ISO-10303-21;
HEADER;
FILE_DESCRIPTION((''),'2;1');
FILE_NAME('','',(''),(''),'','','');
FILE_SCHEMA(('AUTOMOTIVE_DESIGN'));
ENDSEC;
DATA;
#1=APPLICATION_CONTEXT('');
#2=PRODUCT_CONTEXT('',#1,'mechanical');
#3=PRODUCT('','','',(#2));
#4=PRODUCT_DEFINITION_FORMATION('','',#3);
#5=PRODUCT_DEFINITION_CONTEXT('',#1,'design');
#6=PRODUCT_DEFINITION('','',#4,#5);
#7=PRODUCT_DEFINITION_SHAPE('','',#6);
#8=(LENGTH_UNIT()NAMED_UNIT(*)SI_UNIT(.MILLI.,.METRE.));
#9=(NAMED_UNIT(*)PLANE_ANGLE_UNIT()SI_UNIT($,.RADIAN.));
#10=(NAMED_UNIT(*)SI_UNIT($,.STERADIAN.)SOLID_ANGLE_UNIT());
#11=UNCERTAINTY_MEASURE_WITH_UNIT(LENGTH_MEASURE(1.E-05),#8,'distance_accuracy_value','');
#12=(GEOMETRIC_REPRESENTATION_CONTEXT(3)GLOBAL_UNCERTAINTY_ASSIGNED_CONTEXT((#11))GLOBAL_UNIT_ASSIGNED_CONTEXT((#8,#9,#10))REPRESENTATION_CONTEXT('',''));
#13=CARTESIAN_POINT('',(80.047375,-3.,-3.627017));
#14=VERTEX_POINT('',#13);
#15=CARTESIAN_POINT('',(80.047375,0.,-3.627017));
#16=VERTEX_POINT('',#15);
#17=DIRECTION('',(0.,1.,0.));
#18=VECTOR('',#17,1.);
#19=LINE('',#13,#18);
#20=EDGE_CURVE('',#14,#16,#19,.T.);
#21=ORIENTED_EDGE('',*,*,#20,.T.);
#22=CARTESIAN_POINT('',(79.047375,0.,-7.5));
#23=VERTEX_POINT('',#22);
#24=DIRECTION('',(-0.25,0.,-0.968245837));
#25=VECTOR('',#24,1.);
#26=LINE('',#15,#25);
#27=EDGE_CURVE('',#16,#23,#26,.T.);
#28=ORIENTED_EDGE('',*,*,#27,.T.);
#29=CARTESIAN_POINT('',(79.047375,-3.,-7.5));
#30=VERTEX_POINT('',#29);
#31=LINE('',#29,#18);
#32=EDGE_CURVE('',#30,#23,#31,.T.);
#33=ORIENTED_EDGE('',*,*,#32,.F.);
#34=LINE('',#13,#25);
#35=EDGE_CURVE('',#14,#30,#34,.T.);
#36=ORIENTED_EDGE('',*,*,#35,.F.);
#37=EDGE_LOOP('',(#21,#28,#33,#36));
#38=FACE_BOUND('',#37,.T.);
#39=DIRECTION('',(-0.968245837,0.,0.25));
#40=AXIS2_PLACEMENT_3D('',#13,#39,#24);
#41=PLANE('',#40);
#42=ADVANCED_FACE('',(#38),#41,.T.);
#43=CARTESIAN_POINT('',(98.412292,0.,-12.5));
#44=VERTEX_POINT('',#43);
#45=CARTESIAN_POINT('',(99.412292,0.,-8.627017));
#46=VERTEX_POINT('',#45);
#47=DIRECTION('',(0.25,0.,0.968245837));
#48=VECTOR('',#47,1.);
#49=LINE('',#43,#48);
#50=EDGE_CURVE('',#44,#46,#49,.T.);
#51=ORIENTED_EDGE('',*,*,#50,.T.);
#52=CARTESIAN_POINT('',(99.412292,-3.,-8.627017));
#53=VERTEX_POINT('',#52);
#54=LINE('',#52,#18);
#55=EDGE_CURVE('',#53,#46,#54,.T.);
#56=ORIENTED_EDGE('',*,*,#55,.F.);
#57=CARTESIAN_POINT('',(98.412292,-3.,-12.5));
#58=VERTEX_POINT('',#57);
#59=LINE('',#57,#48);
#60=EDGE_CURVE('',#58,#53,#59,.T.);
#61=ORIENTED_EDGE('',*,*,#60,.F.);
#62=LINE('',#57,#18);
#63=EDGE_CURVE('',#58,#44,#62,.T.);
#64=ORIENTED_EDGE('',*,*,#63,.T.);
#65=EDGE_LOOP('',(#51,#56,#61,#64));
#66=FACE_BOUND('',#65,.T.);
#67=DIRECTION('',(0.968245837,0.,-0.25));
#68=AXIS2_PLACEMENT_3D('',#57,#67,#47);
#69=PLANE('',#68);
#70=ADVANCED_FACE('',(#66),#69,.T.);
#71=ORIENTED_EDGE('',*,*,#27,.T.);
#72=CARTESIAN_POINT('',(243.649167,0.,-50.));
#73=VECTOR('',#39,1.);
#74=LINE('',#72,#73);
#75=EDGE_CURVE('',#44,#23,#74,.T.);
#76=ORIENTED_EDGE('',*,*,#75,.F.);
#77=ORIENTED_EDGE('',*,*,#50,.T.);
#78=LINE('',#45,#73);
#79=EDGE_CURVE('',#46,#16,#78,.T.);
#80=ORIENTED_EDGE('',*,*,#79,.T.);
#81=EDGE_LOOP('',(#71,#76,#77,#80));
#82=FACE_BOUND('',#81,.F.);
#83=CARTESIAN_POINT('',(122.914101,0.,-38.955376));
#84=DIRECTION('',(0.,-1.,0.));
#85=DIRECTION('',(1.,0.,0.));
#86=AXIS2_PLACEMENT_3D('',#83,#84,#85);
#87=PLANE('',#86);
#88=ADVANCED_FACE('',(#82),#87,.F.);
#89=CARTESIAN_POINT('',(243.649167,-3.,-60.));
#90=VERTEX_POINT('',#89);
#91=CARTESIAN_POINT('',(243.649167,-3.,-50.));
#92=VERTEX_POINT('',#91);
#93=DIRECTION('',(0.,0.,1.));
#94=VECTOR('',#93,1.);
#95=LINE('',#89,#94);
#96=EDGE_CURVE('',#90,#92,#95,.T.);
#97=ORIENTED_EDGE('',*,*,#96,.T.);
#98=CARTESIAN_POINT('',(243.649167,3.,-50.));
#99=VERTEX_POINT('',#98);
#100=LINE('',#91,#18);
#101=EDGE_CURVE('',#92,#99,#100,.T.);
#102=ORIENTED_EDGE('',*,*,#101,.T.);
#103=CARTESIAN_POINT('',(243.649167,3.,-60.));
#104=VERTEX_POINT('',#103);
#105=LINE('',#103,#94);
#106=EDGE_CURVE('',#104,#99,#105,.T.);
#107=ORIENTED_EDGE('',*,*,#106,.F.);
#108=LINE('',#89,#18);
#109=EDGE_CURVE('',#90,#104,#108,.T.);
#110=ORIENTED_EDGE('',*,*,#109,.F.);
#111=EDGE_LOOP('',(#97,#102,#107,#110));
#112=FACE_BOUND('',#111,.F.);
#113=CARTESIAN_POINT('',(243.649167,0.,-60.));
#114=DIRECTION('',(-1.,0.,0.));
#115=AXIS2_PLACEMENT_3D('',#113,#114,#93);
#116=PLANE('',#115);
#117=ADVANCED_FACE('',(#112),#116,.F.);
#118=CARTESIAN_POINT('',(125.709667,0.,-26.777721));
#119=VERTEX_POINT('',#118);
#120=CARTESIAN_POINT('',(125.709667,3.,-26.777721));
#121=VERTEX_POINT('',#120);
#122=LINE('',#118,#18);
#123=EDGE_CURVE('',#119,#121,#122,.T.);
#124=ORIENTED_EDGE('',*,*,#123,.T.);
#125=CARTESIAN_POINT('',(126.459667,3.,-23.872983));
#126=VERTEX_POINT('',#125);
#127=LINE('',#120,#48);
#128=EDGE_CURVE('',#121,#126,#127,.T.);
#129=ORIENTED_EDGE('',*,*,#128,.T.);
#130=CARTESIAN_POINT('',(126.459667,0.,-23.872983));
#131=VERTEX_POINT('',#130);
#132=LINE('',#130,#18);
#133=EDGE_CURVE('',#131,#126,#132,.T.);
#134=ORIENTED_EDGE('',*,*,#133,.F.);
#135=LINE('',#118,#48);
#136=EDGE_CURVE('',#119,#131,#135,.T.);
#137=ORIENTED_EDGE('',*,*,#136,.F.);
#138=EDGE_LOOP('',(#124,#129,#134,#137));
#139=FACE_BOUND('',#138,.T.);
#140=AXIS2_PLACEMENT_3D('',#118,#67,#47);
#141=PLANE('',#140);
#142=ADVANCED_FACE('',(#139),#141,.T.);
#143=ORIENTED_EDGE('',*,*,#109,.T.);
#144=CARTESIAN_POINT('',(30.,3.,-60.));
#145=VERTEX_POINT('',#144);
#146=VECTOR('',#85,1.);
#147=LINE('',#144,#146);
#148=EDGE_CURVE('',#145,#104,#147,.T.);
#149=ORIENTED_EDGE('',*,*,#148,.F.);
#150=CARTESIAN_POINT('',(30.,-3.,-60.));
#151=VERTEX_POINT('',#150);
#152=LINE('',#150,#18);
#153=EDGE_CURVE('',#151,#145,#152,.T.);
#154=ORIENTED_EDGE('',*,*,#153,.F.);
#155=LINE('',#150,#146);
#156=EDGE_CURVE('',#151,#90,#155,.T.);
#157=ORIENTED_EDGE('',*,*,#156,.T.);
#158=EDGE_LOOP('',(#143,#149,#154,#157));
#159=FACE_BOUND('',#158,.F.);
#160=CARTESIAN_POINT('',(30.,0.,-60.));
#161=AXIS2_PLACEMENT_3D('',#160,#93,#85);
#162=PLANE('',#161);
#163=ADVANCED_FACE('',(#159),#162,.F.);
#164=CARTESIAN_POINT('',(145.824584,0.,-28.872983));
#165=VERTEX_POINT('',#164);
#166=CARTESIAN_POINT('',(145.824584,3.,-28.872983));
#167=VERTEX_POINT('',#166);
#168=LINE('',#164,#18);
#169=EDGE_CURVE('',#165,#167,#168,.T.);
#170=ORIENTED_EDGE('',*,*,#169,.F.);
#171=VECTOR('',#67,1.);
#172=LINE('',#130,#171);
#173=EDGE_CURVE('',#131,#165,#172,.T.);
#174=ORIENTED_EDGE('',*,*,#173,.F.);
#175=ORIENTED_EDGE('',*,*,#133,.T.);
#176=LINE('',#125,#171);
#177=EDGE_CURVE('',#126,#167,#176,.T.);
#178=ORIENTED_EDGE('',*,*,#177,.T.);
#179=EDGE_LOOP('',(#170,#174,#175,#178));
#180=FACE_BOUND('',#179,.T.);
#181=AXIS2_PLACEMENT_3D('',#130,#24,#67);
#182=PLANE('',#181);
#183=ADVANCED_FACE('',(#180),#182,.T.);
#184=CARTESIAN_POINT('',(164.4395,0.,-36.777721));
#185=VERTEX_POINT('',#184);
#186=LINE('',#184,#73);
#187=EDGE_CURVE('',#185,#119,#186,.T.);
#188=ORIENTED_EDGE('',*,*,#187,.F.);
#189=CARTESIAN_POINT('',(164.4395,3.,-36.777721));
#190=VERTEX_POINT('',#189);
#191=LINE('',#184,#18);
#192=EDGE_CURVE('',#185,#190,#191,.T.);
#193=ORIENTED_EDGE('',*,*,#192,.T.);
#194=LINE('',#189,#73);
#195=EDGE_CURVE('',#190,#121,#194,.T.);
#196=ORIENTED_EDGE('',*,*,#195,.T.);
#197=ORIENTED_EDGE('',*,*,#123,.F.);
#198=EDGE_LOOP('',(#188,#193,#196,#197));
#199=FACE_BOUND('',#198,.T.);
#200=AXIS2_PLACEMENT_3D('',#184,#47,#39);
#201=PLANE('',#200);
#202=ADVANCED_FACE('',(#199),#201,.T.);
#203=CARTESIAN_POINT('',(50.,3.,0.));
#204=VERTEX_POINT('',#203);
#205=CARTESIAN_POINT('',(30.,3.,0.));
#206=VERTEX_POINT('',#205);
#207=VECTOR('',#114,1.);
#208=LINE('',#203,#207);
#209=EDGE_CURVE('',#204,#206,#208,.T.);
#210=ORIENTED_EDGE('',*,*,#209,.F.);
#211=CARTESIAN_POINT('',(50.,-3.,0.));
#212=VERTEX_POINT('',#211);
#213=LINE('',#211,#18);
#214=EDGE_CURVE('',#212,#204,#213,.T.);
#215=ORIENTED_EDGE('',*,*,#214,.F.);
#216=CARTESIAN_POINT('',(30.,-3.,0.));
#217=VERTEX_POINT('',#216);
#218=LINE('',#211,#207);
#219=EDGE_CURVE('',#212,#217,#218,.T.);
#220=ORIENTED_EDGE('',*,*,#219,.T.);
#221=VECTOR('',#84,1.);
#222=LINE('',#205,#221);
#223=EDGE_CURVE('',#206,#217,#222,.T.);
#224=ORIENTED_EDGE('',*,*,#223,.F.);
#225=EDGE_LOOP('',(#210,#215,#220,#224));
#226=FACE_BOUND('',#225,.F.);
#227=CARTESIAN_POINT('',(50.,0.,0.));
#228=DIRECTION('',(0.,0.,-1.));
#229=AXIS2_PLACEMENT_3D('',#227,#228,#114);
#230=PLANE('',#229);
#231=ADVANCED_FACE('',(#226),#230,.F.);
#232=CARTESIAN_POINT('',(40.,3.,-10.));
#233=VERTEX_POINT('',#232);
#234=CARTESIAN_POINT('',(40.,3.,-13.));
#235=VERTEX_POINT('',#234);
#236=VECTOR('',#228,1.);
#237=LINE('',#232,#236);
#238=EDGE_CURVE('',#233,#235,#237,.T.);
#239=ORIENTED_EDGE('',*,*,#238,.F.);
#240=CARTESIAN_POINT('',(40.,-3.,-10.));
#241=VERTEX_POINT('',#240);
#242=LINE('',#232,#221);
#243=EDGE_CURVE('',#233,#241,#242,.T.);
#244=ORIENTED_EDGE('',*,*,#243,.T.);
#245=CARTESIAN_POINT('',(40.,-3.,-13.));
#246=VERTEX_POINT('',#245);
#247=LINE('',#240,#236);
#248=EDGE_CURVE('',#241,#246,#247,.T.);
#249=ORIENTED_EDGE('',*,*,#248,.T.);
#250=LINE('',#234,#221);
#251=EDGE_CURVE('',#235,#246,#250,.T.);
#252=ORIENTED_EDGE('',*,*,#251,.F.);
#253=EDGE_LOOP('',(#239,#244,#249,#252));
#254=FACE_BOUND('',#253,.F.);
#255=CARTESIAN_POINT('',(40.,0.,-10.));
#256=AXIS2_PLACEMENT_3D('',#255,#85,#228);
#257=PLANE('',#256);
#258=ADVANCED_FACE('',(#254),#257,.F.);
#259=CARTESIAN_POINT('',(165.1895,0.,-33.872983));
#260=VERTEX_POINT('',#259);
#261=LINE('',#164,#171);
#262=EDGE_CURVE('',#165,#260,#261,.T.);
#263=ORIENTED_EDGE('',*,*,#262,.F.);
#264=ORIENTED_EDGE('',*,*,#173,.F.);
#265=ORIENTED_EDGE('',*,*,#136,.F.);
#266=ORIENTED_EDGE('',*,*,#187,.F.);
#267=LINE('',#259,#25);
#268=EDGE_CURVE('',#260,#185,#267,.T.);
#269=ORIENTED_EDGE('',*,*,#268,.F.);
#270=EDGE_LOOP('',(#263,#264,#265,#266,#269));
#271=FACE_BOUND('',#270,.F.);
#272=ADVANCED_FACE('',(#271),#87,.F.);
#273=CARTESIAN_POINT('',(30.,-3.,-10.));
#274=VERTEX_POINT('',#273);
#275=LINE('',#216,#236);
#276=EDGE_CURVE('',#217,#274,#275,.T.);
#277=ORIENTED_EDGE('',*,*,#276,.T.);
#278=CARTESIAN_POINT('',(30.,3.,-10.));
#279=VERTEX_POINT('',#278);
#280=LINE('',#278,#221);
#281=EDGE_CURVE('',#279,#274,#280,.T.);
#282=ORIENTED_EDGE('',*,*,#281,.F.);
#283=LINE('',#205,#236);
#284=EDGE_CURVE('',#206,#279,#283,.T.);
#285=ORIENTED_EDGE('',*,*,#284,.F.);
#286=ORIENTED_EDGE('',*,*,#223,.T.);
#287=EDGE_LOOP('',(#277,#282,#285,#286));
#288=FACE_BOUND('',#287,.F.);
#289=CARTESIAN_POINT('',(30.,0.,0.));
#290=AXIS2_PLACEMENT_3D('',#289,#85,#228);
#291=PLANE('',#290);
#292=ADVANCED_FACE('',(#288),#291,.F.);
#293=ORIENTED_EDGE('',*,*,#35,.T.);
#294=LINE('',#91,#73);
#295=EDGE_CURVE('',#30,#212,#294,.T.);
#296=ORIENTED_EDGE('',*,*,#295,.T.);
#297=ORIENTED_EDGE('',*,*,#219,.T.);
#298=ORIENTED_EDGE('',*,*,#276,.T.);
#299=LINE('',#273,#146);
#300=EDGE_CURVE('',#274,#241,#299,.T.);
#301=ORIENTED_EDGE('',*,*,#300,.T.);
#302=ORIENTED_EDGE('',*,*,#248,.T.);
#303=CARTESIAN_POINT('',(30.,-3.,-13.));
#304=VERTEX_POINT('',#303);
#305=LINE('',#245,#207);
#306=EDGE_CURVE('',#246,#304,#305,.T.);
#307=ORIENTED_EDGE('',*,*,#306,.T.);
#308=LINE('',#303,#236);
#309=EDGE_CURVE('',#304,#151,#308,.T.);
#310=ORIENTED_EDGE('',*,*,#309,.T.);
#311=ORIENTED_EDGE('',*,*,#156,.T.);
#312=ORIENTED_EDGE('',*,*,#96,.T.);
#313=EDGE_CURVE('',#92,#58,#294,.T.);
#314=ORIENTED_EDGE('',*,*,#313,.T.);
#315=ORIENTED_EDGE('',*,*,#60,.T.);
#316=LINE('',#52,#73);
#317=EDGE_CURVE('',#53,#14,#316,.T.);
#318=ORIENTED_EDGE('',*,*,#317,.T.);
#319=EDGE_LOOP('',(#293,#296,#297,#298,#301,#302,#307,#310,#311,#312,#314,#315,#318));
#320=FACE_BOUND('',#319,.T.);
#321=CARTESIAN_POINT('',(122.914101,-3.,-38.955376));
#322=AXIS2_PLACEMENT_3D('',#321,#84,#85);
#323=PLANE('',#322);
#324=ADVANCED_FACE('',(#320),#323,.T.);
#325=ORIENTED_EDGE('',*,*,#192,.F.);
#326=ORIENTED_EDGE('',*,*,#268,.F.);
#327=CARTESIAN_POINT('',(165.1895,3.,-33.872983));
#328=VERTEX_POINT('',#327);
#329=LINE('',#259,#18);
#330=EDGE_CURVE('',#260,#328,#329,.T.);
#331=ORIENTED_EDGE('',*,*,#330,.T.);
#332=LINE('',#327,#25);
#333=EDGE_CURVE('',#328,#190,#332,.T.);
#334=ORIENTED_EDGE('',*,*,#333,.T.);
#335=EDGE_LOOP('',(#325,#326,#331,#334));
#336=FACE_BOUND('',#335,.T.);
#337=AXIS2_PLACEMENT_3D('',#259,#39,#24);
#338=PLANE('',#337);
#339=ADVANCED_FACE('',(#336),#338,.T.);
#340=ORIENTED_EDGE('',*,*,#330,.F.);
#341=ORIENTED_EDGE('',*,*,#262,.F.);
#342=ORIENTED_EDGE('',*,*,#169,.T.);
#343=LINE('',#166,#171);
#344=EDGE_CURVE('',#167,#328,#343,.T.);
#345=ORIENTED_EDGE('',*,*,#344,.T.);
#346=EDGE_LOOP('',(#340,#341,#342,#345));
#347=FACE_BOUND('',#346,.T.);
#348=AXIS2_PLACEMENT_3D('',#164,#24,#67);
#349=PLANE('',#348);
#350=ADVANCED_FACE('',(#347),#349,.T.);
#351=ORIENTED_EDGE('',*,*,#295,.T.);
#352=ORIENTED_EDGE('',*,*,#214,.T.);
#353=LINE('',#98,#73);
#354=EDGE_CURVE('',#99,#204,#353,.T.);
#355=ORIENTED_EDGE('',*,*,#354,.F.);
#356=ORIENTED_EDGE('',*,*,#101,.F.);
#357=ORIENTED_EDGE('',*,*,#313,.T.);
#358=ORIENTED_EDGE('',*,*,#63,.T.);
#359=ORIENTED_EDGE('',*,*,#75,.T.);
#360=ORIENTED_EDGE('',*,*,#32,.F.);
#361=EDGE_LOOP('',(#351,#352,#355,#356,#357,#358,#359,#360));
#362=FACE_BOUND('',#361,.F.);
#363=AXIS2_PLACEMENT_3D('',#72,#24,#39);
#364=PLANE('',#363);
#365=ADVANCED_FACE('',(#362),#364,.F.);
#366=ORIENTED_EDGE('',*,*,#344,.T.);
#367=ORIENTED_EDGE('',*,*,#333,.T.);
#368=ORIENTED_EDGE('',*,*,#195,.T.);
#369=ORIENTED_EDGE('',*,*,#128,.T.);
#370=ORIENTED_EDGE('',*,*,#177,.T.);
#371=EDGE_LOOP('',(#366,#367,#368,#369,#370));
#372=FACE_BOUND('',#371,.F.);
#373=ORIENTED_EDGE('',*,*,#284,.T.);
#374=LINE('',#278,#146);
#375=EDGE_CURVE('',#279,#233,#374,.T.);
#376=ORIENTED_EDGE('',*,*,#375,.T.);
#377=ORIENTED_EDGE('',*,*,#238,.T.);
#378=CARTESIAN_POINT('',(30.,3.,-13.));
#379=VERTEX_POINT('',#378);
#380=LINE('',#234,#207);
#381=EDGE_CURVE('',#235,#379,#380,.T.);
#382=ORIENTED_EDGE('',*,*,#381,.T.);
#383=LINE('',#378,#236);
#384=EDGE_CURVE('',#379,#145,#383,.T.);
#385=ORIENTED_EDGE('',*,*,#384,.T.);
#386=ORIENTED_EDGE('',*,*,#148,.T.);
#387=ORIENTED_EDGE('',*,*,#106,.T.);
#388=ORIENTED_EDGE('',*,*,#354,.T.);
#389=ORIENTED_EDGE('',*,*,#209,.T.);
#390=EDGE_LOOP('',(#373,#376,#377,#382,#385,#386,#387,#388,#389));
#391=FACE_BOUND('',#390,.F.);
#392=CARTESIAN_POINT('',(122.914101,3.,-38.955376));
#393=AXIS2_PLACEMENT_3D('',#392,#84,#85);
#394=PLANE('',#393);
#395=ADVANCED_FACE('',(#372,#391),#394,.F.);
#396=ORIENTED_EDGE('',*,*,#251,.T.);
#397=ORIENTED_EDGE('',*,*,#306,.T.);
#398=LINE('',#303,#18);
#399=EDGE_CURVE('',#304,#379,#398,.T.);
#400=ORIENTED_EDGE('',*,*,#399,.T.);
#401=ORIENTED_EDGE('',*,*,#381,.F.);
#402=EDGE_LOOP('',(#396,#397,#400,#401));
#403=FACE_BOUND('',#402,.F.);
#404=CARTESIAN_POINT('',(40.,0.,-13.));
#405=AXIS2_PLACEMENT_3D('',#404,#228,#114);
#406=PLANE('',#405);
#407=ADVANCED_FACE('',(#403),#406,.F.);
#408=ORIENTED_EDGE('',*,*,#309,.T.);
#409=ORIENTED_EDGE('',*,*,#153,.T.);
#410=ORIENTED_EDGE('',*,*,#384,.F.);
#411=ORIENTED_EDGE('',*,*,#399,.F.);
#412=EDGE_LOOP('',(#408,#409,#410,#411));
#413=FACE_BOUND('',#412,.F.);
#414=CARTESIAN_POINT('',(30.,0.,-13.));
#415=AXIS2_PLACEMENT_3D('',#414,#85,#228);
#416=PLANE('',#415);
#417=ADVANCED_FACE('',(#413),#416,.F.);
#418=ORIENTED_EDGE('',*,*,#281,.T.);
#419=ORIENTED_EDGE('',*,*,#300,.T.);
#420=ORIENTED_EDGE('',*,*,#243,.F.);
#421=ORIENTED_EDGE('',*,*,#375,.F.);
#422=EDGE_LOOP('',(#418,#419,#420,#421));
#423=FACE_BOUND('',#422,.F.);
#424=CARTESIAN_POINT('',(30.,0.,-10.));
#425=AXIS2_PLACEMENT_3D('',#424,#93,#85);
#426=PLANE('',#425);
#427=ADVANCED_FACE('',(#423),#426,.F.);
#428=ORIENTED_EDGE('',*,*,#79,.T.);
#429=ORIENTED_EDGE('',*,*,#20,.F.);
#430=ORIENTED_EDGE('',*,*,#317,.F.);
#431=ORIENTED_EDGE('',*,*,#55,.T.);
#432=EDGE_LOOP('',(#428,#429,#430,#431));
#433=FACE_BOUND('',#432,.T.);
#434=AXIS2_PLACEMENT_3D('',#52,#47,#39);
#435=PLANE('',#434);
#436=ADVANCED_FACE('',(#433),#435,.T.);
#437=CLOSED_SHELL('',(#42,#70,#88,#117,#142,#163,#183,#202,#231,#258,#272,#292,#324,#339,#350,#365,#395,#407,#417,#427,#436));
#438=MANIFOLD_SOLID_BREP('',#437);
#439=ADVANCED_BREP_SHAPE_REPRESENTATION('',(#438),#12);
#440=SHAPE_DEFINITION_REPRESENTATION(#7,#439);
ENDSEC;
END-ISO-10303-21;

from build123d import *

# Parameters (mm, degrees)
F1_DEPTH = 3
F3_DEPTH = 3


with BuildPart() as f1:
    # F0 (on Front) → F1 (new body)
    with BuildSketch(Plane.XZ):
        Polygon((146.8245836552, -25), (50, 0), (30, 0), (30, -10), (40, -10), (40, -13), (30, -13), (30, -60), (243.6491673104, -60), (243.6491673104, -50), align=None)
        Polygon((126.4596669241, -23.8729833462), (145.8245836552, -28.8729833462), (165.1895003862, -33.8729833462), (164.4395003862, -36.7777208559), (125.7096669241, -26.7777208559), align=None, mode=Mode.SUBTRACT)
    extrude(amount=F1_DEPTH)

    # F2 (on face) + F0 (on Front) → F3 (join)
    with BuildSketch(Plane.XZ.offset(3)):
        Polygon((98.4122918276, -12.5), (79.0473750966, -7.5), (50, 0), (30, 0), (30, -10), (40, -10), (40, -13), (30, -13), (30, -60), (243.6491673104, -60), (243.6491673104, -50), (214.6017922138, -42.5), (195.2368754828, -37.5), align=None)
        Polygon((125.7096669241, -26.7777208559), (126.4596669241, -23.8729833462), (165.1895003862, -33.8729833462), (164.4395003862, -36.7777208559), align=None, mode=Mode.SUBTRACT)
        Polygon((165.1895003862, -33.8729833462), (126.4596669241, -23.8729833462), (125.7096669241, -26.7777208559), (164.4395003862, -36.7777208559), align=None)
        Polygon((80.0473750966, -3.6270166538), (79.0473750966, -7.5), (98.4122918276, -12.5), (99.4122918276, -8.6270166538), align=None)
    with BuildSketch(Plane.XZ):
        Polygon((146.8245836552, -25), (50, 0), (30, 0), (30, -10), (40, -10), (40, -13), (30, -13), (30, -60), (243.6491673104, -60), (243.6491673104, -50), align=None)
        Polygon((126.4596669241, -23.8729833462), (145.8245836552, -28.8729833462), (165.1895003862, -33.8729833462), (164.4395003862, -36.7777208559), (125.7096669241, -26.7777208559), align=None, mode=Mode.SUBTRACT)
    extrude(amount=-F3_DEPTH)


solid = f1.part
